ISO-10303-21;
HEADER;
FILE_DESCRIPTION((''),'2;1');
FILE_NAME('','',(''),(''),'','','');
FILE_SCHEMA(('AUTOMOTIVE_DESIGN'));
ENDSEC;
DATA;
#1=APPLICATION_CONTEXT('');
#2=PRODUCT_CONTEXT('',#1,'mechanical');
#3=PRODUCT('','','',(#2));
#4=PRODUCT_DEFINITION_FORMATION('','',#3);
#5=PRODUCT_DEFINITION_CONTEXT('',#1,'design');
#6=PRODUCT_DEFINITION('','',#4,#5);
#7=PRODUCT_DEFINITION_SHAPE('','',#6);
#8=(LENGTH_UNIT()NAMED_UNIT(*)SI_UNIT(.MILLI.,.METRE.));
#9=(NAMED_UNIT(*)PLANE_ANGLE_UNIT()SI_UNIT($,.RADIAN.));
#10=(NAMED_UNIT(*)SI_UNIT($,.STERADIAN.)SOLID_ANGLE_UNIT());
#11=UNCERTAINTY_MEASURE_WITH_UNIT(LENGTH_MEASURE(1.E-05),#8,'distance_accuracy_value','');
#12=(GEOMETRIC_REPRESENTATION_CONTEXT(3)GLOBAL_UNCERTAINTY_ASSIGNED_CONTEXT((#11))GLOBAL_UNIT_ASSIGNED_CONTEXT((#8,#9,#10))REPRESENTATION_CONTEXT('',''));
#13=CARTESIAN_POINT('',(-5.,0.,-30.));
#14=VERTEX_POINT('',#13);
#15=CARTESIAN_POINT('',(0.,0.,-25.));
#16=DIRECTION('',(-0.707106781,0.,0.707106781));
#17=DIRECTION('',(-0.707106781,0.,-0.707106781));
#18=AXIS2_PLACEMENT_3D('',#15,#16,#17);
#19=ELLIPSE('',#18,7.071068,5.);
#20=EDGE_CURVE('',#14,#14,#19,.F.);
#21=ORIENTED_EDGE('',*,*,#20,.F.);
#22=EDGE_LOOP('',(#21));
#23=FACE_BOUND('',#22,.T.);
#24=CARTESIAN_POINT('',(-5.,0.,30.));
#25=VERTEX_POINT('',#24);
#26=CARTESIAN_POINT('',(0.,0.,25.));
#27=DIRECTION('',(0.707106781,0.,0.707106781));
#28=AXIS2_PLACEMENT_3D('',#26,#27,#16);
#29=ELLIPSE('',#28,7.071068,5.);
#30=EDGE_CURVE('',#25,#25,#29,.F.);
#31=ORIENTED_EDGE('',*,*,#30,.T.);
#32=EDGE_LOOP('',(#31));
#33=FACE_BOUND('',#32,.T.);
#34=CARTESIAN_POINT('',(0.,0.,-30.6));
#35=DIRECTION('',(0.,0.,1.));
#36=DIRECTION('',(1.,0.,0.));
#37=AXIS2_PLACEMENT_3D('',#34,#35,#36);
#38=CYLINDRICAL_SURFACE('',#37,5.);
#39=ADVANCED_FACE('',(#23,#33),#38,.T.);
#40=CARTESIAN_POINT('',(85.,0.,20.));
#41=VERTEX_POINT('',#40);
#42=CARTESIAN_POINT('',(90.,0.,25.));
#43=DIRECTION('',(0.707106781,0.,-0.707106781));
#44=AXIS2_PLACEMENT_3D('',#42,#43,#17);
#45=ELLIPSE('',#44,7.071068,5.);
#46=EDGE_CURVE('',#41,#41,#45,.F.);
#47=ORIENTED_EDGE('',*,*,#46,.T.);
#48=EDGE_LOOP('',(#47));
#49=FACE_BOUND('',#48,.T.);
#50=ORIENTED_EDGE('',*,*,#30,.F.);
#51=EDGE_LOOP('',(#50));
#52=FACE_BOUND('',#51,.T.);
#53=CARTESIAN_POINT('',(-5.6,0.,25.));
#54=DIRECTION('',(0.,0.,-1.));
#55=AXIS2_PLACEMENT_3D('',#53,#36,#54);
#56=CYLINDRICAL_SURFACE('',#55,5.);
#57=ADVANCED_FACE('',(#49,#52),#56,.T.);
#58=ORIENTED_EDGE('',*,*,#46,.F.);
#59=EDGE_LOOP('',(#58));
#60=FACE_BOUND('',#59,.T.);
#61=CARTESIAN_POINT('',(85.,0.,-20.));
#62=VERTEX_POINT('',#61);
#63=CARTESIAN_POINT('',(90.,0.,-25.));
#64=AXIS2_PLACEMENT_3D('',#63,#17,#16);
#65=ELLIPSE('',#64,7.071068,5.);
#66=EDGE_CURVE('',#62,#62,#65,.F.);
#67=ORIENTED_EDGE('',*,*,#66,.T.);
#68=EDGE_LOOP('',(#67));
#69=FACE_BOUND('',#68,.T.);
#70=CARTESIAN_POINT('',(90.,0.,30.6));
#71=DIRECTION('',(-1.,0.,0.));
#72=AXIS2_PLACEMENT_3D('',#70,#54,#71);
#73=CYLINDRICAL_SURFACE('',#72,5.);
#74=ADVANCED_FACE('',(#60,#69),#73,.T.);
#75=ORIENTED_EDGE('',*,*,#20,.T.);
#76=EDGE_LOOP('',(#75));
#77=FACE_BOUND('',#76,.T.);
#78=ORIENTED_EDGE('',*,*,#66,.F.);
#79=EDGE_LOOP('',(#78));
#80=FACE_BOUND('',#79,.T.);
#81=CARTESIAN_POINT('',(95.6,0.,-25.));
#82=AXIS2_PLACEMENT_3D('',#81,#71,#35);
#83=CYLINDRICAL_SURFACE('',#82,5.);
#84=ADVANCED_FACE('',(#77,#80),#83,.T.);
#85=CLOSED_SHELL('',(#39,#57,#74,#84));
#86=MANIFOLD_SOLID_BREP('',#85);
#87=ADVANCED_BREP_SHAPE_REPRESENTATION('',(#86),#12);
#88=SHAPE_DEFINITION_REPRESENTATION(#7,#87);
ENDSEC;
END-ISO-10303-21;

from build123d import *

# Parameters (mm, degrees)
BARRER3_PROFILE_R = 5


with BuildPart() as part:
    # Barrer3: sweep along a path in Croquis2
    with BuildLine(Plane(origin=(0, 0, 0), x_dir=(1, 0, 0), z_dir=(0, 1, 0))) as barrer3_path:
        Line((0, -25), (90, -25))
        Line((90, -25), (90, 25))
        Line((90, 25), (0, 25))
        Line((0, 25), (0, -25))
    # Barrer3 profile (on start of the path) → Barrer3 (sweep)
    with BuildSketch(Plane(origin=(0, 0, 25), x_dir=(0, 0, 1), z_dir=(1, 0, 0))):
        Circle(BARRER3_PROFILE_R)
    sweep(path=barrer3_path.line, transition=Transition.RIGHT)


solid = part.part
